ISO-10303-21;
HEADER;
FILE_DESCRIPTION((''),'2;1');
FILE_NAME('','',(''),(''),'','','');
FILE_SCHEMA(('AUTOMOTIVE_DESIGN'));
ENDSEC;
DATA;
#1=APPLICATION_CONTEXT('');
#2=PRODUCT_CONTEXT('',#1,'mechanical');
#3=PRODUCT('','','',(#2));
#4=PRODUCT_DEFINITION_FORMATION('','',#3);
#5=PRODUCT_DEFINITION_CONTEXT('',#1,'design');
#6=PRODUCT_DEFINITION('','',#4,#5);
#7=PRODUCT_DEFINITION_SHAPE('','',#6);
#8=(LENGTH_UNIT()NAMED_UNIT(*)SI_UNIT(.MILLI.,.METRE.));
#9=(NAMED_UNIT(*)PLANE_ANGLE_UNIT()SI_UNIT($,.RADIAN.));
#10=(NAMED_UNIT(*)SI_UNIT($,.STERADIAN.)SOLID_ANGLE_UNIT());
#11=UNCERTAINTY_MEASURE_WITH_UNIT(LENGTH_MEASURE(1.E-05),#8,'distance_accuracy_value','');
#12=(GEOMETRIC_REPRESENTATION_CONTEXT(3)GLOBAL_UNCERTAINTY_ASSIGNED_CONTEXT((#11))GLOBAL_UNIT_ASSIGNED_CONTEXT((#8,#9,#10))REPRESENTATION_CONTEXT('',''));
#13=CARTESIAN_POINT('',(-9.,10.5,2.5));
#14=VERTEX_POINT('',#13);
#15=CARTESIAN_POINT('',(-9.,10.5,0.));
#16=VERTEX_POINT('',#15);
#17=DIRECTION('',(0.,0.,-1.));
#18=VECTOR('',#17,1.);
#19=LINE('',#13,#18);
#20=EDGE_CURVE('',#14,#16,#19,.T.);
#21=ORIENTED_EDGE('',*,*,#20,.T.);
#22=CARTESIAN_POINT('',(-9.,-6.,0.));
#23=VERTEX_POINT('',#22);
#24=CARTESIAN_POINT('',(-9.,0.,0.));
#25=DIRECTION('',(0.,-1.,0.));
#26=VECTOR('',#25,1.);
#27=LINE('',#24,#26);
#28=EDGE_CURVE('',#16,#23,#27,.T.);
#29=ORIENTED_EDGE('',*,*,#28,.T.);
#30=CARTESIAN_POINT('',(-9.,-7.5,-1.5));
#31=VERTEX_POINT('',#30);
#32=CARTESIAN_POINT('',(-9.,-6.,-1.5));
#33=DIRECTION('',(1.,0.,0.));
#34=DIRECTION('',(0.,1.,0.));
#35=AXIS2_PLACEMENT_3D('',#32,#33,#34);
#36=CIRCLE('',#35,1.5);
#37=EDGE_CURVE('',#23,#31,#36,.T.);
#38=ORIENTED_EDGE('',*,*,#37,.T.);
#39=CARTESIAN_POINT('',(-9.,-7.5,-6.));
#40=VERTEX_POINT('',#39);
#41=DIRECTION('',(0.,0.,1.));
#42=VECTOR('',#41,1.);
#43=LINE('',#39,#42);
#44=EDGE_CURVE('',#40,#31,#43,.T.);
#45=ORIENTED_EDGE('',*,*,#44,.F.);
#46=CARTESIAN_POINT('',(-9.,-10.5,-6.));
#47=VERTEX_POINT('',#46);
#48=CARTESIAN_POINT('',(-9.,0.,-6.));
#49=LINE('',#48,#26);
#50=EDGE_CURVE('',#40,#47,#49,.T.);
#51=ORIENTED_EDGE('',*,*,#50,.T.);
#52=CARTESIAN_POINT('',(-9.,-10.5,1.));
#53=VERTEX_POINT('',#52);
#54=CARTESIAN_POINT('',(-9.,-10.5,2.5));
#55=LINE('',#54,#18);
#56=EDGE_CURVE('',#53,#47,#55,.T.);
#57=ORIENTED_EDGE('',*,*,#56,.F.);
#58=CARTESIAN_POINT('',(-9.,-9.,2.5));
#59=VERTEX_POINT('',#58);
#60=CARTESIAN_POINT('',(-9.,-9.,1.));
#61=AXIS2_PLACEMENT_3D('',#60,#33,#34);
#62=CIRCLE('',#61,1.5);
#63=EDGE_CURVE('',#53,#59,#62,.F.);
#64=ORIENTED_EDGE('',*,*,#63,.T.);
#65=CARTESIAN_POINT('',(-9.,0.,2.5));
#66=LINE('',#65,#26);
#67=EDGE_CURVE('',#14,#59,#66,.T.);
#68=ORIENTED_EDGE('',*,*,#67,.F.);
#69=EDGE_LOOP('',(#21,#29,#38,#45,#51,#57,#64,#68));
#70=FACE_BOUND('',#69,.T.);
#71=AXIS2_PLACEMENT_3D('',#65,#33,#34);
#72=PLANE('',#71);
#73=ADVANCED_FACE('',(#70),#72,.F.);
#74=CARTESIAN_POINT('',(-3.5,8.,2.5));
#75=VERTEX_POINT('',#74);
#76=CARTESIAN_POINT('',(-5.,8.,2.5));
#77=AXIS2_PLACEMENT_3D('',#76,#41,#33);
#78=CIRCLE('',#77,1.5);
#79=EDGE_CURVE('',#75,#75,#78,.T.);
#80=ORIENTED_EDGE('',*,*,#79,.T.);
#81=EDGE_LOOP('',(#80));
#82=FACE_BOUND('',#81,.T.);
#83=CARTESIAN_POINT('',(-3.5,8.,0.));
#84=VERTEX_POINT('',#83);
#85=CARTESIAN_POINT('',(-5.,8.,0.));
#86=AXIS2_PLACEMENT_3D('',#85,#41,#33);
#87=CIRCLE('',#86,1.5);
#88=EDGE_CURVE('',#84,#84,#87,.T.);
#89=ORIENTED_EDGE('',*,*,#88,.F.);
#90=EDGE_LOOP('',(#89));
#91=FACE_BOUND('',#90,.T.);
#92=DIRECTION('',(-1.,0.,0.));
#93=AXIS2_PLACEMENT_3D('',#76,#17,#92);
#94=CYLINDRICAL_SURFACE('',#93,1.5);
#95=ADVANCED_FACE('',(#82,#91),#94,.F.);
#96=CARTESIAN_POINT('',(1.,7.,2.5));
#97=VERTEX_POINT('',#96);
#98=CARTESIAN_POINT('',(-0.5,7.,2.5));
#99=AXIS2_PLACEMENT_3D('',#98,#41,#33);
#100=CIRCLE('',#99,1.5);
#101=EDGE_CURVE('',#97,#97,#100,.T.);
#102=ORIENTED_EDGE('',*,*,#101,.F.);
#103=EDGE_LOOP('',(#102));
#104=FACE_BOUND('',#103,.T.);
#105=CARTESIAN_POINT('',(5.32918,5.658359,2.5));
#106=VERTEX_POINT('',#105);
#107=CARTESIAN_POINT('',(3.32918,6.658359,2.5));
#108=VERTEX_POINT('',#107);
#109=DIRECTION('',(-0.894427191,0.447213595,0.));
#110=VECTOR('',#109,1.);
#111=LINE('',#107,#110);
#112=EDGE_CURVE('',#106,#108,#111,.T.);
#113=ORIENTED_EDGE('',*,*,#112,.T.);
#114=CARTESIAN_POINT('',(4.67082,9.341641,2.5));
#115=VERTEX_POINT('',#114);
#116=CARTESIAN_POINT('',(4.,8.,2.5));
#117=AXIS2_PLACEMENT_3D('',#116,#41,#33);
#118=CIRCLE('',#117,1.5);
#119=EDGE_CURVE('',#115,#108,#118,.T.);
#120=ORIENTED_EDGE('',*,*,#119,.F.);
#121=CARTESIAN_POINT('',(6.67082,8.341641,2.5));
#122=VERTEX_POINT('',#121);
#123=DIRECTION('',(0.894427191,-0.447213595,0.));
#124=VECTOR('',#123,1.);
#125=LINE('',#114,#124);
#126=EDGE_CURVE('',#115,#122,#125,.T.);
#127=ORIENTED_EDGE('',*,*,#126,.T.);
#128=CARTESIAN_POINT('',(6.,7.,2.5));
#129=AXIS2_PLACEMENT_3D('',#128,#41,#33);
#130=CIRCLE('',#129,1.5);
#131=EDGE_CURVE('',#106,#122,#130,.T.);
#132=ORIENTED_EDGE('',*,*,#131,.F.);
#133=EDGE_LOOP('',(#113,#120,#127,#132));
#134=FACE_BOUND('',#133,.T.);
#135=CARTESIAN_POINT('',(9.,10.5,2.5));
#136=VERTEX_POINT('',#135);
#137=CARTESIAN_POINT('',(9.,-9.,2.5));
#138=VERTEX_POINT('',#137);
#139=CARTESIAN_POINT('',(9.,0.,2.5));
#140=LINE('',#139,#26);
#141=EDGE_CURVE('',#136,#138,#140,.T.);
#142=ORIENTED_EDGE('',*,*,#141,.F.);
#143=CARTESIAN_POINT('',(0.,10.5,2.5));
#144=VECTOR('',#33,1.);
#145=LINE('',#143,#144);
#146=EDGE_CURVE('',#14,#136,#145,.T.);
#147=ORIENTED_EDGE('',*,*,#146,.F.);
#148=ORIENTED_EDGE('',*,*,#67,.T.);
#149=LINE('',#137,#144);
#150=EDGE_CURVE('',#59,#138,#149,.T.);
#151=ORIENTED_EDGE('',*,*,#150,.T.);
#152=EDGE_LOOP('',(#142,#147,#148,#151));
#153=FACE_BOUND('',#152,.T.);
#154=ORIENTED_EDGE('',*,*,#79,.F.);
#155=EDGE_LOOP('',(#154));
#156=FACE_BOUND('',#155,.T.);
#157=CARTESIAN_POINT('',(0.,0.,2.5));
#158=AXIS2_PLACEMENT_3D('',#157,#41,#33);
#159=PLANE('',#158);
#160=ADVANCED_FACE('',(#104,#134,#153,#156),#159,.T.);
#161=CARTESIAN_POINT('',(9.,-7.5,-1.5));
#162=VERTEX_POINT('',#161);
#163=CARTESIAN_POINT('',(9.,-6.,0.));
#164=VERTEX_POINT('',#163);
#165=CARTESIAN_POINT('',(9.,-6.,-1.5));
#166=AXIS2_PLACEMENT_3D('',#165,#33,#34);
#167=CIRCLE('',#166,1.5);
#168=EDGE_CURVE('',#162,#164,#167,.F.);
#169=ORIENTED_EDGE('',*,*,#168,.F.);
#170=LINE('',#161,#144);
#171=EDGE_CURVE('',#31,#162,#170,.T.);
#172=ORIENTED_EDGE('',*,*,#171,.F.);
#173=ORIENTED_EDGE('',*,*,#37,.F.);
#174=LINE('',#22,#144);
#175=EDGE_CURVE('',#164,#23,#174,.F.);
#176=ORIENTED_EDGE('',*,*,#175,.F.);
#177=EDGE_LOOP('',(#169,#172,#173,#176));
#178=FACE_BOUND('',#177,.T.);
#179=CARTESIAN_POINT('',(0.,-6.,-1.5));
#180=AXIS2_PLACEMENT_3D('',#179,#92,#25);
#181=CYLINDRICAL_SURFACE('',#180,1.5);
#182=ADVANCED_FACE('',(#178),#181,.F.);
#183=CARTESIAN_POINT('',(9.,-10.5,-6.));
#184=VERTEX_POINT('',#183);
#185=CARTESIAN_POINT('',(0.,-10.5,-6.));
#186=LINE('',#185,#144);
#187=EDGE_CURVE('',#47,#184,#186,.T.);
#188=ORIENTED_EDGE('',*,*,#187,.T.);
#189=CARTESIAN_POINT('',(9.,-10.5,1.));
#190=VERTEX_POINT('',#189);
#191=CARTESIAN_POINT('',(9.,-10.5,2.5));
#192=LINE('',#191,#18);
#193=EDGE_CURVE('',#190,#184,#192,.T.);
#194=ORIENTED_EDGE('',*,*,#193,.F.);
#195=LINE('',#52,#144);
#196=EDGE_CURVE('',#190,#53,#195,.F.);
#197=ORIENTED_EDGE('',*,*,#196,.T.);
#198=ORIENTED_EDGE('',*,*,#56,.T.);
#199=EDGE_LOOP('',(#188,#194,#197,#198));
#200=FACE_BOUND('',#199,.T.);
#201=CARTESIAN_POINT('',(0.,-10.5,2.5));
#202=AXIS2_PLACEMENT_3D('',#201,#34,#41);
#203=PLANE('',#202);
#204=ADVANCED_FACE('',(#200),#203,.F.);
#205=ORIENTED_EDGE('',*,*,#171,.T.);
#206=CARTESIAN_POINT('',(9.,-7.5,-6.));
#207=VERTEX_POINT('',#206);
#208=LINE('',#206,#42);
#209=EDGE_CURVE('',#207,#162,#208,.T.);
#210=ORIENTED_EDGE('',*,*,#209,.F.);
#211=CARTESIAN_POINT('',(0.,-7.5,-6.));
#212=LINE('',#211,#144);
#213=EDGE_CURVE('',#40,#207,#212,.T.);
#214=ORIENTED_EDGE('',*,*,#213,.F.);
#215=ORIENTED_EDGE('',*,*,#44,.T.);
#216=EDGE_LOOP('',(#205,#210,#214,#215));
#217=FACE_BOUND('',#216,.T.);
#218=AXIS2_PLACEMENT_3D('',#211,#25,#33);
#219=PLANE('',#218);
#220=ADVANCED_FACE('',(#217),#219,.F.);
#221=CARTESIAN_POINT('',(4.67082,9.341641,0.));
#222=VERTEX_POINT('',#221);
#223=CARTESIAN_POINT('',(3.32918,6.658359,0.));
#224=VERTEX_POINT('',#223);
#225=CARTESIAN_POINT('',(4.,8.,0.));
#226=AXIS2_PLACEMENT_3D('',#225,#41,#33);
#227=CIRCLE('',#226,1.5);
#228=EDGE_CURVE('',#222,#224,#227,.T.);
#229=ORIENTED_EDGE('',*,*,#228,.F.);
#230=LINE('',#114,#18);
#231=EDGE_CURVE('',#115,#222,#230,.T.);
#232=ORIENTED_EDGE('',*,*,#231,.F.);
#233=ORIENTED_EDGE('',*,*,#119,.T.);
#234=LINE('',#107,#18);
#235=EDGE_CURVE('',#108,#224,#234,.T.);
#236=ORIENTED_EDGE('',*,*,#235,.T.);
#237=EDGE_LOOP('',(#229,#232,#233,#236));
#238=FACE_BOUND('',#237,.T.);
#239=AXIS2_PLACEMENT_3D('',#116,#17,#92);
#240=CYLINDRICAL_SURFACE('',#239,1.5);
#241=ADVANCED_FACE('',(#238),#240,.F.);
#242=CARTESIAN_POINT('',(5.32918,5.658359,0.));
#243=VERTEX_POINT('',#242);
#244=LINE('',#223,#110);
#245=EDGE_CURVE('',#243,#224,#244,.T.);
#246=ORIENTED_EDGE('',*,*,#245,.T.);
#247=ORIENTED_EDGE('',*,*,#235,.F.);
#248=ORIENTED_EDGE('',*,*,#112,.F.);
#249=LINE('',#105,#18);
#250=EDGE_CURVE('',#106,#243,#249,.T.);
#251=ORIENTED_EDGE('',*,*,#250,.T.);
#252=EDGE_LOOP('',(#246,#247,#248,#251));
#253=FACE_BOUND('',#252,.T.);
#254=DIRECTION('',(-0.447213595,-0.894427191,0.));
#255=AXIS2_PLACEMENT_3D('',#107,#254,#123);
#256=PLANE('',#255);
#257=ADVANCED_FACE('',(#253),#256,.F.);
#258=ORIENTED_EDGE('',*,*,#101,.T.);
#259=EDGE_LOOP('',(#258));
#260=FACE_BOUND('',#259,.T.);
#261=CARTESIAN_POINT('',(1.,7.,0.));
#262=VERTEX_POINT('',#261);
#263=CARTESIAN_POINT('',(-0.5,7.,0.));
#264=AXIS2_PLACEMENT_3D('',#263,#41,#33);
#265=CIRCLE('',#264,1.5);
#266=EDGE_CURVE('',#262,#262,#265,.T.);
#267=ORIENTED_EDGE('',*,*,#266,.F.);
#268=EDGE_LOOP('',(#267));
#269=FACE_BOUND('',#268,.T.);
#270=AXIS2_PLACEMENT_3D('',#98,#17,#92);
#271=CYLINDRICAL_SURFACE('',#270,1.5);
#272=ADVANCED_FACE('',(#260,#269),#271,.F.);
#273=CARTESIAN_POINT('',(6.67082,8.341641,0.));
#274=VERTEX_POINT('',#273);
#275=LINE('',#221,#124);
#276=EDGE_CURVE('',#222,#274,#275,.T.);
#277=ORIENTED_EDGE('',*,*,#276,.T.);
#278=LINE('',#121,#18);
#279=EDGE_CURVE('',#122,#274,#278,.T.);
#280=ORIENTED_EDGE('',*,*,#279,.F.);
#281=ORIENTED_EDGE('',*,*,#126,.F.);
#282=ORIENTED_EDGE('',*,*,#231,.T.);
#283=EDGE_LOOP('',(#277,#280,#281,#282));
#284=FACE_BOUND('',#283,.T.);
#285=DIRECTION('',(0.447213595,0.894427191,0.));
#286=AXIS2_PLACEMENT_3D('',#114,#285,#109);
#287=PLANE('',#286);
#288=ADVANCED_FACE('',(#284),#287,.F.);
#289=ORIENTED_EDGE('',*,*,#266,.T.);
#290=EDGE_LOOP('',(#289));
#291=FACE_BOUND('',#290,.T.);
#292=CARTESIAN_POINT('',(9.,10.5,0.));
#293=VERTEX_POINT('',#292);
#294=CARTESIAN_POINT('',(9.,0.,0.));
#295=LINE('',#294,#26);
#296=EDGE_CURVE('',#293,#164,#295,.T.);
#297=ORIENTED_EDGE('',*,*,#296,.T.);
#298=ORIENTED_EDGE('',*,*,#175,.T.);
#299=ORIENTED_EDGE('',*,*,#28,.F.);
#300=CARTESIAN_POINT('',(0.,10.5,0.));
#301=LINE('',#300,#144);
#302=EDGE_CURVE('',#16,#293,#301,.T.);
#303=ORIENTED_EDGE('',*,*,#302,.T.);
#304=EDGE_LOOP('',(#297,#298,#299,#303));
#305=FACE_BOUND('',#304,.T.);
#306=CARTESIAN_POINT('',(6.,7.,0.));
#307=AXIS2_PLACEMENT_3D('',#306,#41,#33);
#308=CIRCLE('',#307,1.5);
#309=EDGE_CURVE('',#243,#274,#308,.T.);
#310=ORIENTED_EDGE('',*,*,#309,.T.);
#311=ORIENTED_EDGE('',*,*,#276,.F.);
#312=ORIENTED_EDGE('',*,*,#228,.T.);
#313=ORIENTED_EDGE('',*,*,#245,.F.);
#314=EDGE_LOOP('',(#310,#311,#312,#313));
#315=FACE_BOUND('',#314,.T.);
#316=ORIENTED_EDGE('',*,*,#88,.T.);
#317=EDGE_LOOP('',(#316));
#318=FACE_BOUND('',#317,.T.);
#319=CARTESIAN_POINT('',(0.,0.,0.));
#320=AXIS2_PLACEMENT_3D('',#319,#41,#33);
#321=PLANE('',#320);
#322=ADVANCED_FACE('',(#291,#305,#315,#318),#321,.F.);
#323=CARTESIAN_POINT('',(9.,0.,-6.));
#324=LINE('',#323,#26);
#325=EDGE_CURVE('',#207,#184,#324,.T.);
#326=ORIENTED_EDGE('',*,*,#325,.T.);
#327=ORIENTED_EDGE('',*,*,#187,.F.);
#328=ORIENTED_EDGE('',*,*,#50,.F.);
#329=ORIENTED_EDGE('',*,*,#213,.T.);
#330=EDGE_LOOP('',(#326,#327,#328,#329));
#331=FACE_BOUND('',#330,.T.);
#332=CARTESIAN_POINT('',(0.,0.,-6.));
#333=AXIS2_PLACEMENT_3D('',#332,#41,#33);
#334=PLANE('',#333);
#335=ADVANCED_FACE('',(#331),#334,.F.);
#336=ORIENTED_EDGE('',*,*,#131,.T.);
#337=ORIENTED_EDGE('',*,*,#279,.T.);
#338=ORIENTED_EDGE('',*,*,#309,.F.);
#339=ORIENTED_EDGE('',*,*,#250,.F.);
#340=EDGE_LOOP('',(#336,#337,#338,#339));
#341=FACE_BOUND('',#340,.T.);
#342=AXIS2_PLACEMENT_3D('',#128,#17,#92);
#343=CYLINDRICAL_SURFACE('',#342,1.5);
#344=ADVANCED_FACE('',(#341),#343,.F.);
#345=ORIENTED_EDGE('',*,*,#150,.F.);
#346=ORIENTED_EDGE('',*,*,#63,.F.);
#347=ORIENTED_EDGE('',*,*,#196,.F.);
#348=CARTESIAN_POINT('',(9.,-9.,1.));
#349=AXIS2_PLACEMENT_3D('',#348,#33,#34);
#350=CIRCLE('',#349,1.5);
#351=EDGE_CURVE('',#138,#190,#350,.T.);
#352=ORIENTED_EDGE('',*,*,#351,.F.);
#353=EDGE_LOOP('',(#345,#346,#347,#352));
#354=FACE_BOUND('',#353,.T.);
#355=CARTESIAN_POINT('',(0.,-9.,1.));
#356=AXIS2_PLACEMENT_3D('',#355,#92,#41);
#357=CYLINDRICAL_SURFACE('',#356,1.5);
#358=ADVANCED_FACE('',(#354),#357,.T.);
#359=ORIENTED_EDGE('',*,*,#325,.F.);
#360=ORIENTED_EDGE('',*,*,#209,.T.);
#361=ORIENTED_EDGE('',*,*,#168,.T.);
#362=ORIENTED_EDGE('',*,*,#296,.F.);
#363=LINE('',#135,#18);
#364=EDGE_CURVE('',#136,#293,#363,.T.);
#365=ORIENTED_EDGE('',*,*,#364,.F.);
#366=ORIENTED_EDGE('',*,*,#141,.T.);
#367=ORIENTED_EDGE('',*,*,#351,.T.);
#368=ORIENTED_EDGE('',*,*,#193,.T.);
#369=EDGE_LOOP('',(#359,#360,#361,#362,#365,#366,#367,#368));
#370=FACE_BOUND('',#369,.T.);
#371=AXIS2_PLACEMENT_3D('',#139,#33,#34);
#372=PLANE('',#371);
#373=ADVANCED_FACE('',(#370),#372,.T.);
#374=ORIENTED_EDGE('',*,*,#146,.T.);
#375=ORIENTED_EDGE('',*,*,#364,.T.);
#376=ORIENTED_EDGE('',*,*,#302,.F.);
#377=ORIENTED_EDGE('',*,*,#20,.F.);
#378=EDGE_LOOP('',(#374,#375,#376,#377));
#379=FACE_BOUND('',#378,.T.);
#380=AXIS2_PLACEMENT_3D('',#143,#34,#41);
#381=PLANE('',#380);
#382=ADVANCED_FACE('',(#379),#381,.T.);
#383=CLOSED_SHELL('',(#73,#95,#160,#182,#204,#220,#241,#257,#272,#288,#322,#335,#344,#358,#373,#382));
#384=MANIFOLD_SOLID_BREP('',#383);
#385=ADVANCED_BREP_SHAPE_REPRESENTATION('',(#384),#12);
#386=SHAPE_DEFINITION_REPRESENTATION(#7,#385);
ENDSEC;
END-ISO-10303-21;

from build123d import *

# Parameters (mm, degrees)
SKETCH1_W           = 18
SKETCH1_H           = 21
SKETCH1_R           = 1.5
BOSS_EXTRUDE1_DEPTH = 2.5
SKETCH1_3_W         = 18
SKETCH1_3_H         = 3
BOSS_EXTRUDE2_DEPTH = 6
FILLET1_R           = 1.5


with BuildPart() as part:
    # Sketch1 → Boss-Extrude1 (new body)
    with BuildSketch(Plane.XY):
        Rectangle(SKETCH1_W, SKETCH1_H)
        with Locations((-5, 8)):
            Circle(SKETCH1_R, mode=Mode.SUBTRACT)
        with Locations((-0.5, 7)):
            Circle(SKETCH1_R, mode=Mode.SUBTRACT)
        with BuildLine():
            ThreePointArc((3.329179607, 6.658359214), (2.658359214, 8.670820393), (4.670820393, 9.341640786))
            Line((4.670820393, 9.341640786), (6.670820393, 8.341640786))
            ThreePointArc((6.670820393, 8.341640786), (7.341640786, 6.329179607), (5.329179607, 5.658359214))
            Line((5.329179607, 5.658359214), (3.329179607, 6.658359214))
        make_face(mode=Mode.SUBTRACT)
    extrude(amount=BOSS_EXTRUDE1_DEPTH)

    # Sketch1<3> → Boss-Extrude2 (add)
    with BuildSketch(Plane.XY):
        with Locations((0, -9)):
            Rectangle(SKETCH1_3_W, SKETCH1_3_H)
    extrude(amount=-BOSS_EXTRUDE2_DEPTH)

    # Fillet1
    fillet1_edges = [part.edges().sort_by_distance(p)[0] for p in [
        (0, -10.5, 2.5),
        (0, -7.5, 0),
    ]]
    fillet(fillet1_edges, radius=FILLET1_R)


solid = part.part
